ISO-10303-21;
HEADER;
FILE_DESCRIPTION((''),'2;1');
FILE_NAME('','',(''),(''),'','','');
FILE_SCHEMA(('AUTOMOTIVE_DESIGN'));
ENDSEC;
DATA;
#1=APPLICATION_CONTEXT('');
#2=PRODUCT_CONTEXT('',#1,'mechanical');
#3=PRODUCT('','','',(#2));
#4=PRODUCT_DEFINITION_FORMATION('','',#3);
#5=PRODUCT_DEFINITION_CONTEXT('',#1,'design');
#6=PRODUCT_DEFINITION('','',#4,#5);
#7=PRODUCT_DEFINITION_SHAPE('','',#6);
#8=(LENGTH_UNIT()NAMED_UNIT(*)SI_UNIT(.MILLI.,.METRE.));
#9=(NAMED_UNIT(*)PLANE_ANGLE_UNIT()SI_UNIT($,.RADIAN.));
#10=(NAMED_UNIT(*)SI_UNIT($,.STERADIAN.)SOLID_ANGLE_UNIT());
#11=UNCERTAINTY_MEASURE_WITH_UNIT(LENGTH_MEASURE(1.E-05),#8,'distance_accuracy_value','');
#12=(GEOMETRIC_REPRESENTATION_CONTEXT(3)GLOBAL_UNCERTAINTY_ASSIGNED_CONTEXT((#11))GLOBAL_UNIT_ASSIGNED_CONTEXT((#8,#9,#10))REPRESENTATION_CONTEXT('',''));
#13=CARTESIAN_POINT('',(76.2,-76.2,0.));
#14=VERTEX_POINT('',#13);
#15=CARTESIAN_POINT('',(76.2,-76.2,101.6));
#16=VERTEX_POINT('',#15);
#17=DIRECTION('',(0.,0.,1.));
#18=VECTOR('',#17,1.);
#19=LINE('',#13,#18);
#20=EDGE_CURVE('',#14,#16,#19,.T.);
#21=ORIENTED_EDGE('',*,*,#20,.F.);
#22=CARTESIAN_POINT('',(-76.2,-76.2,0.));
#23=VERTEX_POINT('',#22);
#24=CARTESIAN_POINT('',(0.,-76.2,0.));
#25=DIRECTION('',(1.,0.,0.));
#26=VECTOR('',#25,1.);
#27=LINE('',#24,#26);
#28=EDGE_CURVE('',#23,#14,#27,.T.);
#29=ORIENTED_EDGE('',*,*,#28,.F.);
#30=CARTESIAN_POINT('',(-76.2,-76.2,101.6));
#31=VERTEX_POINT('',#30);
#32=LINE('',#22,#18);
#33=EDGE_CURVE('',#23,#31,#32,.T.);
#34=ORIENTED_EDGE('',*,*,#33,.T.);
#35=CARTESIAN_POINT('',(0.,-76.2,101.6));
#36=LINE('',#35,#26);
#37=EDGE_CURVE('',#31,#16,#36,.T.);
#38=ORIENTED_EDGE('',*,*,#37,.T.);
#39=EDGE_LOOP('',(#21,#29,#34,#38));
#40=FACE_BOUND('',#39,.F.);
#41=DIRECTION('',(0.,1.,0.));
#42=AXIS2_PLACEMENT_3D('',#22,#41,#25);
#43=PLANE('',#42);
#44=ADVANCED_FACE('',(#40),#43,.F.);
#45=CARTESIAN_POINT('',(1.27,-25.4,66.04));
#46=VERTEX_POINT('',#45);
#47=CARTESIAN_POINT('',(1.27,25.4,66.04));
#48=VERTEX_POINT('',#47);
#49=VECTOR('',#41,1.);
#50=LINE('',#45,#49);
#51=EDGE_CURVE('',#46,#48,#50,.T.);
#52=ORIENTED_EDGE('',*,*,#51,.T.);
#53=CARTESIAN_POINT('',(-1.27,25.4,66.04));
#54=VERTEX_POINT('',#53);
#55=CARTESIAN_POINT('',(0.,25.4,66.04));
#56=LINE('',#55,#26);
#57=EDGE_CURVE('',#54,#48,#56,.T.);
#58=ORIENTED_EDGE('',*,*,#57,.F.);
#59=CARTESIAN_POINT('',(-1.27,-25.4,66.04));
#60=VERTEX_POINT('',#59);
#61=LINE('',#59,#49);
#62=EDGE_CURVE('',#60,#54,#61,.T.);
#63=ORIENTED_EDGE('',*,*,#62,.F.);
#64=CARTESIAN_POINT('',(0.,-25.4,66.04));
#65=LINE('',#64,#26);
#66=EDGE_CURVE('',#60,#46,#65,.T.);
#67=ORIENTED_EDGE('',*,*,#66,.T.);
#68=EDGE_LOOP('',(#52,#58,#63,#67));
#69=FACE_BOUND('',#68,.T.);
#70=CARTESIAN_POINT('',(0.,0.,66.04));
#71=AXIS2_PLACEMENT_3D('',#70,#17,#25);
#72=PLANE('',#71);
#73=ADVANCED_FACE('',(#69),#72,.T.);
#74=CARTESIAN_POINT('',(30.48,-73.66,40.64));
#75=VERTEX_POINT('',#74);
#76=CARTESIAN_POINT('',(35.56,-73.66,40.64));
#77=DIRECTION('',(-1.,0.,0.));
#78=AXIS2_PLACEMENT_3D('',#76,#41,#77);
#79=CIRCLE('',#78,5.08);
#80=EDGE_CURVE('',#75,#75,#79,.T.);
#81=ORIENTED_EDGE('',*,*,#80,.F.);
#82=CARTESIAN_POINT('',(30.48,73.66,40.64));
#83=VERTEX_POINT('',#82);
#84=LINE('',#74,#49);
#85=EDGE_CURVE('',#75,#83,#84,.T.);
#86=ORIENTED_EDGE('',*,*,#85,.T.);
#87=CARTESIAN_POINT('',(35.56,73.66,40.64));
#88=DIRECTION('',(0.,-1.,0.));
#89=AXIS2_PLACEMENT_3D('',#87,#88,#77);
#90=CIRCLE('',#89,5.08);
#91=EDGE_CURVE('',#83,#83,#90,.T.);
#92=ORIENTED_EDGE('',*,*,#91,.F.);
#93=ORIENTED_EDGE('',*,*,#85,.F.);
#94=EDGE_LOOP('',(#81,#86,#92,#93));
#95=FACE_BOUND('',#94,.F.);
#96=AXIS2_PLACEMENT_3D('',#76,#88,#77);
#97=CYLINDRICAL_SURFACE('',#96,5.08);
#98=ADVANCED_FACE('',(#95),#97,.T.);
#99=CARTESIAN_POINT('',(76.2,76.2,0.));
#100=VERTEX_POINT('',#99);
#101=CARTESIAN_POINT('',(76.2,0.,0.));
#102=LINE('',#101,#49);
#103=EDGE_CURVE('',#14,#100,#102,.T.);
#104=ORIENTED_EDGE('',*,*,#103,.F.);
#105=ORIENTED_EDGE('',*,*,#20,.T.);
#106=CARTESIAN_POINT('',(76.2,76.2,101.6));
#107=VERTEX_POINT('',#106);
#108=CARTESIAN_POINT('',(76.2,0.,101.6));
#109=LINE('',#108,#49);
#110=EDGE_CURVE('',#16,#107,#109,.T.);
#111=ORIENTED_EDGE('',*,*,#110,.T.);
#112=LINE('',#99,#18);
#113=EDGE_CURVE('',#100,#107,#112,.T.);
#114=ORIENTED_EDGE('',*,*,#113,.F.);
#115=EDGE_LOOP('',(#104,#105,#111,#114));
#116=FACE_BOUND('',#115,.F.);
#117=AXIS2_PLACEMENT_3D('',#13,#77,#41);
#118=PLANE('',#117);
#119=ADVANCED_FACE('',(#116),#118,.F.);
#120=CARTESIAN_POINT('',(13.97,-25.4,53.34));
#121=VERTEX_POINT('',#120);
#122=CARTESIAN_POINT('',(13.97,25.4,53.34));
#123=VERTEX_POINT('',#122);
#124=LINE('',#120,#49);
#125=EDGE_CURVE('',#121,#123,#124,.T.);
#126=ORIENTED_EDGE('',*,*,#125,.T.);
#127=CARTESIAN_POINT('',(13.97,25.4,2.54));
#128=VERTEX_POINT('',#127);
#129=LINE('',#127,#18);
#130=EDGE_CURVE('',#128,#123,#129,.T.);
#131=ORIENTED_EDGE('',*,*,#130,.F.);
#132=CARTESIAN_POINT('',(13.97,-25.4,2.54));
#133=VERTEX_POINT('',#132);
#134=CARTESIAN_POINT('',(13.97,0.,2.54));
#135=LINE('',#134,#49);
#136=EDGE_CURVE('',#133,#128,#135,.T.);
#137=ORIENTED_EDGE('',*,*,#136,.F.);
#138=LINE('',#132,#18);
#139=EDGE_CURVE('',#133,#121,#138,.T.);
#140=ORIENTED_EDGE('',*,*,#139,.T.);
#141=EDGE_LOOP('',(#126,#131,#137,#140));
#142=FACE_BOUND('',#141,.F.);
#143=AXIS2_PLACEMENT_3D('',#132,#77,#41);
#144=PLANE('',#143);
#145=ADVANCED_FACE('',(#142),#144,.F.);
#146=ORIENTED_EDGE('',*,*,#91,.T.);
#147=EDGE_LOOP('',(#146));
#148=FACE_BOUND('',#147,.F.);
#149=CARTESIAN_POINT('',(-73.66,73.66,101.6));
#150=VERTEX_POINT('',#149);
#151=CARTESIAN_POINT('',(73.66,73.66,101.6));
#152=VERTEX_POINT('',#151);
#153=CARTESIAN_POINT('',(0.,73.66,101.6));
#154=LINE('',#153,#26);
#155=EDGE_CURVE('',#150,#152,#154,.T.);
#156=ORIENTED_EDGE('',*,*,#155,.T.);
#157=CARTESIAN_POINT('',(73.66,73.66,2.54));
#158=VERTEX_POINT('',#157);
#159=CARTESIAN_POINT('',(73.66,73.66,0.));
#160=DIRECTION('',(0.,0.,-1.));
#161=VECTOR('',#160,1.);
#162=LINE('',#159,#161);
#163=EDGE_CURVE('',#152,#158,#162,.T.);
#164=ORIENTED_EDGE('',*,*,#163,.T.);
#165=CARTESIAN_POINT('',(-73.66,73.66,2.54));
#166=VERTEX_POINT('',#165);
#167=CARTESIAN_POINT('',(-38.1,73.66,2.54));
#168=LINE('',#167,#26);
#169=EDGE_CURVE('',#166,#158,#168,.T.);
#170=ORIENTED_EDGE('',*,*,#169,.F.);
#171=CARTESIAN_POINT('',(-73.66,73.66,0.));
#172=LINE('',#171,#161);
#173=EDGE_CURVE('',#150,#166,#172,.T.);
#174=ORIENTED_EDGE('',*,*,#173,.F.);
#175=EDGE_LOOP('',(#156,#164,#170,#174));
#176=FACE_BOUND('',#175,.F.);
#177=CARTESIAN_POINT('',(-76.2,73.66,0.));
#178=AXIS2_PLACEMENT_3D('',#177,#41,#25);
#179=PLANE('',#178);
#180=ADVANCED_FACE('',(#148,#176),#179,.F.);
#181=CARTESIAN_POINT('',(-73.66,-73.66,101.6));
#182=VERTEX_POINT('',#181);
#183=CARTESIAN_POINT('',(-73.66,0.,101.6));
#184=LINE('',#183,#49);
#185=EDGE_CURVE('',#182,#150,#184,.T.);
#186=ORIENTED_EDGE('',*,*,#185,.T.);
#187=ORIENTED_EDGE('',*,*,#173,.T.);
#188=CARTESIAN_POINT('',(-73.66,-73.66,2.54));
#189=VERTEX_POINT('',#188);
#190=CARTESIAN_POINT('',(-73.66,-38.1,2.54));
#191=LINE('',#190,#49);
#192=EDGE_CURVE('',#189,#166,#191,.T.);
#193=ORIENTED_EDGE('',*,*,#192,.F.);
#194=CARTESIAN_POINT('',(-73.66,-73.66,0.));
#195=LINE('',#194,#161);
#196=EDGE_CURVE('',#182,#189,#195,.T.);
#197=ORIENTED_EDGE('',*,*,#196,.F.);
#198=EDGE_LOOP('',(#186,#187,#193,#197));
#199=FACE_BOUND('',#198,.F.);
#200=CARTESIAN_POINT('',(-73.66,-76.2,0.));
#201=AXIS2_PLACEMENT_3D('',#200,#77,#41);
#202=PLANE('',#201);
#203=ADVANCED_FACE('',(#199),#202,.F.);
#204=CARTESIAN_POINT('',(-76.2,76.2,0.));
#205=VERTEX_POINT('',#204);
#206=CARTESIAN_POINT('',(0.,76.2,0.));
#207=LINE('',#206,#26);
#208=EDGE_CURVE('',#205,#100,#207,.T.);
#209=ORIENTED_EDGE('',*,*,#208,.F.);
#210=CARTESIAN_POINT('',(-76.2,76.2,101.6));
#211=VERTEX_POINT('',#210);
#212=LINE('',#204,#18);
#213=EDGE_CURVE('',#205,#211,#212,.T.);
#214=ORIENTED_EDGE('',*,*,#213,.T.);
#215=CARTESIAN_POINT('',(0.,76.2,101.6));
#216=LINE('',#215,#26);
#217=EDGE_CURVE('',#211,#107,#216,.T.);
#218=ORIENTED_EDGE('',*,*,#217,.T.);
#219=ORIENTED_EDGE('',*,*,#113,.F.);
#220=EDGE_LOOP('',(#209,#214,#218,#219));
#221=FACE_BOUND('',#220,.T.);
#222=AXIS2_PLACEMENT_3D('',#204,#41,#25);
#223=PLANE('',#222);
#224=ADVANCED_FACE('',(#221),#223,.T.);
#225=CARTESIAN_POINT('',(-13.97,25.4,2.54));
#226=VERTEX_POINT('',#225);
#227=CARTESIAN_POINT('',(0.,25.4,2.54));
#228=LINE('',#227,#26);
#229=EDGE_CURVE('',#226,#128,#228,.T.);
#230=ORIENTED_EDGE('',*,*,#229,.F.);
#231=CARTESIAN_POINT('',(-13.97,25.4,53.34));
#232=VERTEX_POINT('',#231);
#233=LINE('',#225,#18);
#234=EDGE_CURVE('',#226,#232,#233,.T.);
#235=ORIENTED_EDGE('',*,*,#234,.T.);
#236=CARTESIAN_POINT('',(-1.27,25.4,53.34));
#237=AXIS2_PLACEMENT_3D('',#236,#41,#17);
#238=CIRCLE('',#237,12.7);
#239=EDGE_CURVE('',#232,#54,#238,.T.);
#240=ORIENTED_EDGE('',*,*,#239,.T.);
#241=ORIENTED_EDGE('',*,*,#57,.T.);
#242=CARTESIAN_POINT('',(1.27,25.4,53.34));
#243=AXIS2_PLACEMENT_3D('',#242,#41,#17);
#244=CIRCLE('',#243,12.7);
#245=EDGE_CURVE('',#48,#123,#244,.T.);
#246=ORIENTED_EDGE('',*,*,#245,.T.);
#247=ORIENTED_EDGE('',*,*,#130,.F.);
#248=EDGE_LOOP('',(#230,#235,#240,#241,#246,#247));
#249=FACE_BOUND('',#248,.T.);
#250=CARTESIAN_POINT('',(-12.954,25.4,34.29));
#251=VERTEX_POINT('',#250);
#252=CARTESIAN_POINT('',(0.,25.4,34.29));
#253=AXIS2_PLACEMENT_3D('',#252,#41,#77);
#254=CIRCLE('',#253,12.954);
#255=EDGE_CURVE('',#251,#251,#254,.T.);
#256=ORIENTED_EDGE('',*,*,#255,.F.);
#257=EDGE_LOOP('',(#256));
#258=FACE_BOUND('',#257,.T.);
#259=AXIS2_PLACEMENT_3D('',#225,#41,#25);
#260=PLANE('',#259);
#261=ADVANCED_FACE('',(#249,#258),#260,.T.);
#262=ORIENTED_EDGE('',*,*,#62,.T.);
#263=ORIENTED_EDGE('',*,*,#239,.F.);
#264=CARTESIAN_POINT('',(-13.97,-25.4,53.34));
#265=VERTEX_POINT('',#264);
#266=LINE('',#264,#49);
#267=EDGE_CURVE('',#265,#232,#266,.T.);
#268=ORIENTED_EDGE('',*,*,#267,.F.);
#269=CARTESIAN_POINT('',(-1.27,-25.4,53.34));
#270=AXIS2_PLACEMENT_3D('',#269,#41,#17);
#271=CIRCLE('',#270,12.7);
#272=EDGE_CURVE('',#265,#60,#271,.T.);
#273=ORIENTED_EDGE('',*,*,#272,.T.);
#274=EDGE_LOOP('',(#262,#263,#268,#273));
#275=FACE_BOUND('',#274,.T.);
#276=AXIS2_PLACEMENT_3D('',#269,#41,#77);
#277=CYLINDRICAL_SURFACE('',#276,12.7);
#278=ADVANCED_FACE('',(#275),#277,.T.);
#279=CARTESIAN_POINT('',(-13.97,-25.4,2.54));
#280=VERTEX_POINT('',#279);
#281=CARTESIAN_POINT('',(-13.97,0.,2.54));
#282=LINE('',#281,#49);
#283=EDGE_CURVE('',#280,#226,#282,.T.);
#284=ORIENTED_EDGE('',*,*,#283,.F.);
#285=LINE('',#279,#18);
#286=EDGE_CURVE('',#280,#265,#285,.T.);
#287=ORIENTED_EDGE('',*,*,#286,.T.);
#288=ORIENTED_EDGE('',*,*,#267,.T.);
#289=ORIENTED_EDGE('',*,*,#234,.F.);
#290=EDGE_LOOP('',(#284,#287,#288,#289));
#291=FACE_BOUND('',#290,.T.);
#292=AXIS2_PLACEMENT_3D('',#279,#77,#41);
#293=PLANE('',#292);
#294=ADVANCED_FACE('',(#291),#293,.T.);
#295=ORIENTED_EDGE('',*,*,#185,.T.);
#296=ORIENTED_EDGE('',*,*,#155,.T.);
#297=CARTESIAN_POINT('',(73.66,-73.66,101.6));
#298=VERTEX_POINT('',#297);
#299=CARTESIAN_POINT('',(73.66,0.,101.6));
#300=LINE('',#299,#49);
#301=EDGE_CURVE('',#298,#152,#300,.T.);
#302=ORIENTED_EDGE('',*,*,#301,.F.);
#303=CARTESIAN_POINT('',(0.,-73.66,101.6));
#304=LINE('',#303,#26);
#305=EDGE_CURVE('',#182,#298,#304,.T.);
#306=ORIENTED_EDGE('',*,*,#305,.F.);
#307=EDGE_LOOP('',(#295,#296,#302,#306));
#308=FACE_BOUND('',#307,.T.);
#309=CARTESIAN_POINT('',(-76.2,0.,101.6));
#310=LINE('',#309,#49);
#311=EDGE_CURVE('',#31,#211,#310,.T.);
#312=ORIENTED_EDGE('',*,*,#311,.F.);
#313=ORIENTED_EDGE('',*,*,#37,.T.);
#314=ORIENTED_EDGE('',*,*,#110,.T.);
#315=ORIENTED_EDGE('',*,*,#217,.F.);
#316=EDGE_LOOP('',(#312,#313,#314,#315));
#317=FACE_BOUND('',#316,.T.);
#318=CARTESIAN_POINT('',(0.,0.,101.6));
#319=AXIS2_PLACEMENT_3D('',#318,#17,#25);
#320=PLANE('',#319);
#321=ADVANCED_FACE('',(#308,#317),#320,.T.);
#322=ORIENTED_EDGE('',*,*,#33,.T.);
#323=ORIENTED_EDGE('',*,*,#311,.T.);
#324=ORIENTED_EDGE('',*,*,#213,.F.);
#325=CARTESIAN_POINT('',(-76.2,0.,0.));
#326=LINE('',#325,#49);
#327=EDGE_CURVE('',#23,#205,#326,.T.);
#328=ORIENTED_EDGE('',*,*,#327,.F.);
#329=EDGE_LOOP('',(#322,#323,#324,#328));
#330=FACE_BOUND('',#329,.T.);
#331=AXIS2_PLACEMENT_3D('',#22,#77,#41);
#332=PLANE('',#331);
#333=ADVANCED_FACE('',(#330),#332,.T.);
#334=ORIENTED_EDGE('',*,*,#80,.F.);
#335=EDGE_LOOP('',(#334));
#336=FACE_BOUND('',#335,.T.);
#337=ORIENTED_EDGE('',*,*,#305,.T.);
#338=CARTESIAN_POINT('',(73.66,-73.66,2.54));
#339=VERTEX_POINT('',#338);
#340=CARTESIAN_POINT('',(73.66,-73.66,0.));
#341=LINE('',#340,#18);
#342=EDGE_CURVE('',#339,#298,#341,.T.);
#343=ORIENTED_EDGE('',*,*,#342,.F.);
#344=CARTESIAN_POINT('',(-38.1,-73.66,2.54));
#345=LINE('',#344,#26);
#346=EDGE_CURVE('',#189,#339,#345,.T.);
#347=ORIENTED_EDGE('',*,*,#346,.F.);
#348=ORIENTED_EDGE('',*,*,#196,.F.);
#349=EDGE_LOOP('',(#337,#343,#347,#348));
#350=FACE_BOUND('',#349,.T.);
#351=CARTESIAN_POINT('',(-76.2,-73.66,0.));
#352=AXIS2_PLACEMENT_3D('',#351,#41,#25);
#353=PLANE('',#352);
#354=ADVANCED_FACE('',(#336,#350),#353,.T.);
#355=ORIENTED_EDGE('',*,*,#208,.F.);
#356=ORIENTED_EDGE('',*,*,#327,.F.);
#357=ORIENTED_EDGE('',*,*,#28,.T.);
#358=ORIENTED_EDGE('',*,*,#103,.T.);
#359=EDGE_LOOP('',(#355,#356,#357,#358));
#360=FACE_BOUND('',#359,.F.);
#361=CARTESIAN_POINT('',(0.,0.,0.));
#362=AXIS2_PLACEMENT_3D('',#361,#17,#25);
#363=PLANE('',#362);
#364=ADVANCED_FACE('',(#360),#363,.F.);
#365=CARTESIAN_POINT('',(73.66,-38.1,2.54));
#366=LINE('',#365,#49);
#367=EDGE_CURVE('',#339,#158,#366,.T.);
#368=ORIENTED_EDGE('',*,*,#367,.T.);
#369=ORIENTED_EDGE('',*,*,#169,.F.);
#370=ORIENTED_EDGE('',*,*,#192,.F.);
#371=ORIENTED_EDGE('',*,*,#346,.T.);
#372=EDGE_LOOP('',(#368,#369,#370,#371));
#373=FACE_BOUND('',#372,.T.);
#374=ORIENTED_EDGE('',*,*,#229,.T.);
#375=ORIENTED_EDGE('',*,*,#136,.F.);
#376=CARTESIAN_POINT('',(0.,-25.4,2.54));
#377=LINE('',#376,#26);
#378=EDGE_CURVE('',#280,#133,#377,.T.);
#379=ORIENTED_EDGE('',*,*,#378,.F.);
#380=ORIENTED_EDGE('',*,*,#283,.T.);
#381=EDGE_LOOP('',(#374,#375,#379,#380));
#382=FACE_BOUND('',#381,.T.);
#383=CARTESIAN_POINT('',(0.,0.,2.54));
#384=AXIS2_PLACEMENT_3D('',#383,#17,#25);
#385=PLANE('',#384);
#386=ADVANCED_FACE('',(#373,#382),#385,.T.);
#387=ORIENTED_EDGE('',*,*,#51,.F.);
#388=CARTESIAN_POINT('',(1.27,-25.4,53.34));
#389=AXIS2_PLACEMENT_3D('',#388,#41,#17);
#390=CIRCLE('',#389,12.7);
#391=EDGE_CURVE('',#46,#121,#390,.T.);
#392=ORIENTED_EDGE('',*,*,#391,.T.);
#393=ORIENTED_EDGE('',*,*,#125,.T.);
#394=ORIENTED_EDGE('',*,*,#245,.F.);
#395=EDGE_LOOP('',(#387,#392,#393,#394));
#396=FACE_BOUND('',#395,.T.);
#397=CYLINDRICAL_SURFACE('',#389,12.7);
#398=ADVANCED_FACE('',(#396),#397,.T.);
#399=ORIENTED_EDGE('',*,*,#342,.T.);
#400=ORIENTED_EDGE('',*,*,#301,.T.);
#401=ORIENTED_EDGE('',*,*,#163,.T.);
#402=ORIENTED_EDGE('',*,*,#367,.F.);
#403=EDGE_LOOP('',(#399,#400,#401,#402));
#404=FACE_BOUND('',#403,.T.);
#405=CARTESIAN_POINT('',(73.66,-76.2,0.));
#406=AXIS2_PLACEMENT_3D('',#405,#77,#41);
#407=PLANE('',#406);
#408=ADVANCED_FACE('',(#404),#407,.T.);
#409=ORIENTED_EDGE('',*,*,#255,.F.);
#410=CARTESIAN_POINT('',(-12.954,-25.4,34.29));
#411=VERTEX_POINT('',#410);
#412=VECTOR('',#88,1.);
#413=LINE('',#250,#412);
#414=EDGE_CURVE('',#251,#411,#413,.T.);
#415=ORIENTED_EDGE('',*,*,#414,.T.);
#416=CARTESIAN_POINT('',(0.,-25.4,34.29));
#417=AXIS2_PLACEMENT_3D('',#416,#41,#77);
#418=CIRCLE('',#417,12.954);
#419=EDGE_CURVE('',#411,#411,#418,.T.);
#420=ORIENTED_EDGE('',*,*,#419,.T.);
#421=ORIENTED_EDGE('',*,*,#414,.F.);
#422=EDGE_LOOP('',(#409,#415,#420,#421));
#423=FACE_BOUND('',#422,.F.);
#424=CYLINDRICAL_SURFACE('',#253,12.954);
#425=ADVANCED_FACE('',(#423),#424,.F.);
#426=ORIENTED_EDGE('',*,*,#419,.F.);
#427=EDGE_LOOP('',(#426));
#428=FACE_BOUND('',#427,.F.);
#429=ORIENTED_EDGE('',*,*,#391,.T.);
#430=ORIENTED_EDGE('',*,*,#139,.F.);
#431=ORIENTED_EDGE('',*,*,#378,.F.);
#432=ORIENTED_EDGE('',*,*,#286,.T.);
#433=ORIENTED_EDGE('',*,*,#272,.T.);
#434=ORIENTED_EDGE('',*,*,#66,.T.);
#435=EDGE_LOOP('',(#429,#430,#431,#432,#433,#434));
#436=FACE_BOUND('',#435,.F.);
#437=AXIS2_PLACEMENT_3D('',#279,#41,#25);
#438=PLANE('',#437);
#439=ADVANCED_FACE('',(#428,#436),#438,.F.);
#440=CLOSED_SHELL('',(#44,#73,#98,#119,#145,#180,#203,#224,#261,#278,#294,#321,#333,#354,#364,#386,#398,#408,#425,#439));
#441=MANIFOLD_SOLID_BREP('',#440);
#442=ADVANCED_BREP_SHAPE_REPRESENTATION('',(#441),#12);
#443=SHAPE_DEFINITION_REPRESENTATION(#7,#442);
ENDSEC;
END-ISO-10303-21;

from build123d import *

# Parameters (mm, degrees)
F0_W     = 152.4
F0_H     = 152.4
F1_DEPTH = 101.6
F2_T     = -2.54
F3_R     = 5.08
F4_DEPTH = 149.86
F5_W     = 27.94
F5_H     = 50.8
F6_DEPTH = 63.5
F7_R     = 12.954
F8_DEPTH = 50.8
F9_R     = 12.7
F10_R    = 12.7


with BuildPart() as f1:
    # F0 (on Top) → F1 (new body)
    with BuildSketch(Plane.XY):
        Rectangle(F0_W, F0_H)
    extrude(amount=F1_DEPTH)

    # F2
    f2_openings = [f1.faces().sort_by_distance(p)[0] for p in [
        (0, 0, 101.6),
    ]]
    offset(amount=F2_T, openings=f2_openings)

    # F3 (on face) → F4 (join)
    with BuildSketch(Plane(origin=(0, -73.66, 0), x_dir=(-1, 0, 0), z_dir=(0, 1, 0))):
        with Locations((-35.56, 40.64)):
            Circle(F3_R)
    extrude(amount=F4_DEPTH)

    # F5 (on face) → F6 (join)
    with BuildSketch(Plane.XY.offset(2.54)):
        Rectangle(F5_W, F5_H)
    extrude(amount=F6_DEPTH)

    # F7 (on face) → F8 (cut)
    with BuildSketch(Plane(origin=(0, 25.4, 0), x_dir=(-1, 0, 0), z_dir=(0, 1, 0))):
        with Locations((0, 34.29)):
            Circle(F7_R)
    extrude(amount=-F8_DEPTH, mode=Mode.SUBTRACT)

    # F9
    f9_edges = [f1.edges().sort_by_distance(p)[0] for p in [
        (-13.97, 0, 66.04),
    ]]
    fillet(f9_edges, radius=F9_R)

    # F10
    f10_edges = [f1.edges().sort_by_distance(p)[0] for p in [
        (13.97, 0, 66.04),
    ]]
    fillet(f10_edges, radius=F10_R)


solid = f1.part
